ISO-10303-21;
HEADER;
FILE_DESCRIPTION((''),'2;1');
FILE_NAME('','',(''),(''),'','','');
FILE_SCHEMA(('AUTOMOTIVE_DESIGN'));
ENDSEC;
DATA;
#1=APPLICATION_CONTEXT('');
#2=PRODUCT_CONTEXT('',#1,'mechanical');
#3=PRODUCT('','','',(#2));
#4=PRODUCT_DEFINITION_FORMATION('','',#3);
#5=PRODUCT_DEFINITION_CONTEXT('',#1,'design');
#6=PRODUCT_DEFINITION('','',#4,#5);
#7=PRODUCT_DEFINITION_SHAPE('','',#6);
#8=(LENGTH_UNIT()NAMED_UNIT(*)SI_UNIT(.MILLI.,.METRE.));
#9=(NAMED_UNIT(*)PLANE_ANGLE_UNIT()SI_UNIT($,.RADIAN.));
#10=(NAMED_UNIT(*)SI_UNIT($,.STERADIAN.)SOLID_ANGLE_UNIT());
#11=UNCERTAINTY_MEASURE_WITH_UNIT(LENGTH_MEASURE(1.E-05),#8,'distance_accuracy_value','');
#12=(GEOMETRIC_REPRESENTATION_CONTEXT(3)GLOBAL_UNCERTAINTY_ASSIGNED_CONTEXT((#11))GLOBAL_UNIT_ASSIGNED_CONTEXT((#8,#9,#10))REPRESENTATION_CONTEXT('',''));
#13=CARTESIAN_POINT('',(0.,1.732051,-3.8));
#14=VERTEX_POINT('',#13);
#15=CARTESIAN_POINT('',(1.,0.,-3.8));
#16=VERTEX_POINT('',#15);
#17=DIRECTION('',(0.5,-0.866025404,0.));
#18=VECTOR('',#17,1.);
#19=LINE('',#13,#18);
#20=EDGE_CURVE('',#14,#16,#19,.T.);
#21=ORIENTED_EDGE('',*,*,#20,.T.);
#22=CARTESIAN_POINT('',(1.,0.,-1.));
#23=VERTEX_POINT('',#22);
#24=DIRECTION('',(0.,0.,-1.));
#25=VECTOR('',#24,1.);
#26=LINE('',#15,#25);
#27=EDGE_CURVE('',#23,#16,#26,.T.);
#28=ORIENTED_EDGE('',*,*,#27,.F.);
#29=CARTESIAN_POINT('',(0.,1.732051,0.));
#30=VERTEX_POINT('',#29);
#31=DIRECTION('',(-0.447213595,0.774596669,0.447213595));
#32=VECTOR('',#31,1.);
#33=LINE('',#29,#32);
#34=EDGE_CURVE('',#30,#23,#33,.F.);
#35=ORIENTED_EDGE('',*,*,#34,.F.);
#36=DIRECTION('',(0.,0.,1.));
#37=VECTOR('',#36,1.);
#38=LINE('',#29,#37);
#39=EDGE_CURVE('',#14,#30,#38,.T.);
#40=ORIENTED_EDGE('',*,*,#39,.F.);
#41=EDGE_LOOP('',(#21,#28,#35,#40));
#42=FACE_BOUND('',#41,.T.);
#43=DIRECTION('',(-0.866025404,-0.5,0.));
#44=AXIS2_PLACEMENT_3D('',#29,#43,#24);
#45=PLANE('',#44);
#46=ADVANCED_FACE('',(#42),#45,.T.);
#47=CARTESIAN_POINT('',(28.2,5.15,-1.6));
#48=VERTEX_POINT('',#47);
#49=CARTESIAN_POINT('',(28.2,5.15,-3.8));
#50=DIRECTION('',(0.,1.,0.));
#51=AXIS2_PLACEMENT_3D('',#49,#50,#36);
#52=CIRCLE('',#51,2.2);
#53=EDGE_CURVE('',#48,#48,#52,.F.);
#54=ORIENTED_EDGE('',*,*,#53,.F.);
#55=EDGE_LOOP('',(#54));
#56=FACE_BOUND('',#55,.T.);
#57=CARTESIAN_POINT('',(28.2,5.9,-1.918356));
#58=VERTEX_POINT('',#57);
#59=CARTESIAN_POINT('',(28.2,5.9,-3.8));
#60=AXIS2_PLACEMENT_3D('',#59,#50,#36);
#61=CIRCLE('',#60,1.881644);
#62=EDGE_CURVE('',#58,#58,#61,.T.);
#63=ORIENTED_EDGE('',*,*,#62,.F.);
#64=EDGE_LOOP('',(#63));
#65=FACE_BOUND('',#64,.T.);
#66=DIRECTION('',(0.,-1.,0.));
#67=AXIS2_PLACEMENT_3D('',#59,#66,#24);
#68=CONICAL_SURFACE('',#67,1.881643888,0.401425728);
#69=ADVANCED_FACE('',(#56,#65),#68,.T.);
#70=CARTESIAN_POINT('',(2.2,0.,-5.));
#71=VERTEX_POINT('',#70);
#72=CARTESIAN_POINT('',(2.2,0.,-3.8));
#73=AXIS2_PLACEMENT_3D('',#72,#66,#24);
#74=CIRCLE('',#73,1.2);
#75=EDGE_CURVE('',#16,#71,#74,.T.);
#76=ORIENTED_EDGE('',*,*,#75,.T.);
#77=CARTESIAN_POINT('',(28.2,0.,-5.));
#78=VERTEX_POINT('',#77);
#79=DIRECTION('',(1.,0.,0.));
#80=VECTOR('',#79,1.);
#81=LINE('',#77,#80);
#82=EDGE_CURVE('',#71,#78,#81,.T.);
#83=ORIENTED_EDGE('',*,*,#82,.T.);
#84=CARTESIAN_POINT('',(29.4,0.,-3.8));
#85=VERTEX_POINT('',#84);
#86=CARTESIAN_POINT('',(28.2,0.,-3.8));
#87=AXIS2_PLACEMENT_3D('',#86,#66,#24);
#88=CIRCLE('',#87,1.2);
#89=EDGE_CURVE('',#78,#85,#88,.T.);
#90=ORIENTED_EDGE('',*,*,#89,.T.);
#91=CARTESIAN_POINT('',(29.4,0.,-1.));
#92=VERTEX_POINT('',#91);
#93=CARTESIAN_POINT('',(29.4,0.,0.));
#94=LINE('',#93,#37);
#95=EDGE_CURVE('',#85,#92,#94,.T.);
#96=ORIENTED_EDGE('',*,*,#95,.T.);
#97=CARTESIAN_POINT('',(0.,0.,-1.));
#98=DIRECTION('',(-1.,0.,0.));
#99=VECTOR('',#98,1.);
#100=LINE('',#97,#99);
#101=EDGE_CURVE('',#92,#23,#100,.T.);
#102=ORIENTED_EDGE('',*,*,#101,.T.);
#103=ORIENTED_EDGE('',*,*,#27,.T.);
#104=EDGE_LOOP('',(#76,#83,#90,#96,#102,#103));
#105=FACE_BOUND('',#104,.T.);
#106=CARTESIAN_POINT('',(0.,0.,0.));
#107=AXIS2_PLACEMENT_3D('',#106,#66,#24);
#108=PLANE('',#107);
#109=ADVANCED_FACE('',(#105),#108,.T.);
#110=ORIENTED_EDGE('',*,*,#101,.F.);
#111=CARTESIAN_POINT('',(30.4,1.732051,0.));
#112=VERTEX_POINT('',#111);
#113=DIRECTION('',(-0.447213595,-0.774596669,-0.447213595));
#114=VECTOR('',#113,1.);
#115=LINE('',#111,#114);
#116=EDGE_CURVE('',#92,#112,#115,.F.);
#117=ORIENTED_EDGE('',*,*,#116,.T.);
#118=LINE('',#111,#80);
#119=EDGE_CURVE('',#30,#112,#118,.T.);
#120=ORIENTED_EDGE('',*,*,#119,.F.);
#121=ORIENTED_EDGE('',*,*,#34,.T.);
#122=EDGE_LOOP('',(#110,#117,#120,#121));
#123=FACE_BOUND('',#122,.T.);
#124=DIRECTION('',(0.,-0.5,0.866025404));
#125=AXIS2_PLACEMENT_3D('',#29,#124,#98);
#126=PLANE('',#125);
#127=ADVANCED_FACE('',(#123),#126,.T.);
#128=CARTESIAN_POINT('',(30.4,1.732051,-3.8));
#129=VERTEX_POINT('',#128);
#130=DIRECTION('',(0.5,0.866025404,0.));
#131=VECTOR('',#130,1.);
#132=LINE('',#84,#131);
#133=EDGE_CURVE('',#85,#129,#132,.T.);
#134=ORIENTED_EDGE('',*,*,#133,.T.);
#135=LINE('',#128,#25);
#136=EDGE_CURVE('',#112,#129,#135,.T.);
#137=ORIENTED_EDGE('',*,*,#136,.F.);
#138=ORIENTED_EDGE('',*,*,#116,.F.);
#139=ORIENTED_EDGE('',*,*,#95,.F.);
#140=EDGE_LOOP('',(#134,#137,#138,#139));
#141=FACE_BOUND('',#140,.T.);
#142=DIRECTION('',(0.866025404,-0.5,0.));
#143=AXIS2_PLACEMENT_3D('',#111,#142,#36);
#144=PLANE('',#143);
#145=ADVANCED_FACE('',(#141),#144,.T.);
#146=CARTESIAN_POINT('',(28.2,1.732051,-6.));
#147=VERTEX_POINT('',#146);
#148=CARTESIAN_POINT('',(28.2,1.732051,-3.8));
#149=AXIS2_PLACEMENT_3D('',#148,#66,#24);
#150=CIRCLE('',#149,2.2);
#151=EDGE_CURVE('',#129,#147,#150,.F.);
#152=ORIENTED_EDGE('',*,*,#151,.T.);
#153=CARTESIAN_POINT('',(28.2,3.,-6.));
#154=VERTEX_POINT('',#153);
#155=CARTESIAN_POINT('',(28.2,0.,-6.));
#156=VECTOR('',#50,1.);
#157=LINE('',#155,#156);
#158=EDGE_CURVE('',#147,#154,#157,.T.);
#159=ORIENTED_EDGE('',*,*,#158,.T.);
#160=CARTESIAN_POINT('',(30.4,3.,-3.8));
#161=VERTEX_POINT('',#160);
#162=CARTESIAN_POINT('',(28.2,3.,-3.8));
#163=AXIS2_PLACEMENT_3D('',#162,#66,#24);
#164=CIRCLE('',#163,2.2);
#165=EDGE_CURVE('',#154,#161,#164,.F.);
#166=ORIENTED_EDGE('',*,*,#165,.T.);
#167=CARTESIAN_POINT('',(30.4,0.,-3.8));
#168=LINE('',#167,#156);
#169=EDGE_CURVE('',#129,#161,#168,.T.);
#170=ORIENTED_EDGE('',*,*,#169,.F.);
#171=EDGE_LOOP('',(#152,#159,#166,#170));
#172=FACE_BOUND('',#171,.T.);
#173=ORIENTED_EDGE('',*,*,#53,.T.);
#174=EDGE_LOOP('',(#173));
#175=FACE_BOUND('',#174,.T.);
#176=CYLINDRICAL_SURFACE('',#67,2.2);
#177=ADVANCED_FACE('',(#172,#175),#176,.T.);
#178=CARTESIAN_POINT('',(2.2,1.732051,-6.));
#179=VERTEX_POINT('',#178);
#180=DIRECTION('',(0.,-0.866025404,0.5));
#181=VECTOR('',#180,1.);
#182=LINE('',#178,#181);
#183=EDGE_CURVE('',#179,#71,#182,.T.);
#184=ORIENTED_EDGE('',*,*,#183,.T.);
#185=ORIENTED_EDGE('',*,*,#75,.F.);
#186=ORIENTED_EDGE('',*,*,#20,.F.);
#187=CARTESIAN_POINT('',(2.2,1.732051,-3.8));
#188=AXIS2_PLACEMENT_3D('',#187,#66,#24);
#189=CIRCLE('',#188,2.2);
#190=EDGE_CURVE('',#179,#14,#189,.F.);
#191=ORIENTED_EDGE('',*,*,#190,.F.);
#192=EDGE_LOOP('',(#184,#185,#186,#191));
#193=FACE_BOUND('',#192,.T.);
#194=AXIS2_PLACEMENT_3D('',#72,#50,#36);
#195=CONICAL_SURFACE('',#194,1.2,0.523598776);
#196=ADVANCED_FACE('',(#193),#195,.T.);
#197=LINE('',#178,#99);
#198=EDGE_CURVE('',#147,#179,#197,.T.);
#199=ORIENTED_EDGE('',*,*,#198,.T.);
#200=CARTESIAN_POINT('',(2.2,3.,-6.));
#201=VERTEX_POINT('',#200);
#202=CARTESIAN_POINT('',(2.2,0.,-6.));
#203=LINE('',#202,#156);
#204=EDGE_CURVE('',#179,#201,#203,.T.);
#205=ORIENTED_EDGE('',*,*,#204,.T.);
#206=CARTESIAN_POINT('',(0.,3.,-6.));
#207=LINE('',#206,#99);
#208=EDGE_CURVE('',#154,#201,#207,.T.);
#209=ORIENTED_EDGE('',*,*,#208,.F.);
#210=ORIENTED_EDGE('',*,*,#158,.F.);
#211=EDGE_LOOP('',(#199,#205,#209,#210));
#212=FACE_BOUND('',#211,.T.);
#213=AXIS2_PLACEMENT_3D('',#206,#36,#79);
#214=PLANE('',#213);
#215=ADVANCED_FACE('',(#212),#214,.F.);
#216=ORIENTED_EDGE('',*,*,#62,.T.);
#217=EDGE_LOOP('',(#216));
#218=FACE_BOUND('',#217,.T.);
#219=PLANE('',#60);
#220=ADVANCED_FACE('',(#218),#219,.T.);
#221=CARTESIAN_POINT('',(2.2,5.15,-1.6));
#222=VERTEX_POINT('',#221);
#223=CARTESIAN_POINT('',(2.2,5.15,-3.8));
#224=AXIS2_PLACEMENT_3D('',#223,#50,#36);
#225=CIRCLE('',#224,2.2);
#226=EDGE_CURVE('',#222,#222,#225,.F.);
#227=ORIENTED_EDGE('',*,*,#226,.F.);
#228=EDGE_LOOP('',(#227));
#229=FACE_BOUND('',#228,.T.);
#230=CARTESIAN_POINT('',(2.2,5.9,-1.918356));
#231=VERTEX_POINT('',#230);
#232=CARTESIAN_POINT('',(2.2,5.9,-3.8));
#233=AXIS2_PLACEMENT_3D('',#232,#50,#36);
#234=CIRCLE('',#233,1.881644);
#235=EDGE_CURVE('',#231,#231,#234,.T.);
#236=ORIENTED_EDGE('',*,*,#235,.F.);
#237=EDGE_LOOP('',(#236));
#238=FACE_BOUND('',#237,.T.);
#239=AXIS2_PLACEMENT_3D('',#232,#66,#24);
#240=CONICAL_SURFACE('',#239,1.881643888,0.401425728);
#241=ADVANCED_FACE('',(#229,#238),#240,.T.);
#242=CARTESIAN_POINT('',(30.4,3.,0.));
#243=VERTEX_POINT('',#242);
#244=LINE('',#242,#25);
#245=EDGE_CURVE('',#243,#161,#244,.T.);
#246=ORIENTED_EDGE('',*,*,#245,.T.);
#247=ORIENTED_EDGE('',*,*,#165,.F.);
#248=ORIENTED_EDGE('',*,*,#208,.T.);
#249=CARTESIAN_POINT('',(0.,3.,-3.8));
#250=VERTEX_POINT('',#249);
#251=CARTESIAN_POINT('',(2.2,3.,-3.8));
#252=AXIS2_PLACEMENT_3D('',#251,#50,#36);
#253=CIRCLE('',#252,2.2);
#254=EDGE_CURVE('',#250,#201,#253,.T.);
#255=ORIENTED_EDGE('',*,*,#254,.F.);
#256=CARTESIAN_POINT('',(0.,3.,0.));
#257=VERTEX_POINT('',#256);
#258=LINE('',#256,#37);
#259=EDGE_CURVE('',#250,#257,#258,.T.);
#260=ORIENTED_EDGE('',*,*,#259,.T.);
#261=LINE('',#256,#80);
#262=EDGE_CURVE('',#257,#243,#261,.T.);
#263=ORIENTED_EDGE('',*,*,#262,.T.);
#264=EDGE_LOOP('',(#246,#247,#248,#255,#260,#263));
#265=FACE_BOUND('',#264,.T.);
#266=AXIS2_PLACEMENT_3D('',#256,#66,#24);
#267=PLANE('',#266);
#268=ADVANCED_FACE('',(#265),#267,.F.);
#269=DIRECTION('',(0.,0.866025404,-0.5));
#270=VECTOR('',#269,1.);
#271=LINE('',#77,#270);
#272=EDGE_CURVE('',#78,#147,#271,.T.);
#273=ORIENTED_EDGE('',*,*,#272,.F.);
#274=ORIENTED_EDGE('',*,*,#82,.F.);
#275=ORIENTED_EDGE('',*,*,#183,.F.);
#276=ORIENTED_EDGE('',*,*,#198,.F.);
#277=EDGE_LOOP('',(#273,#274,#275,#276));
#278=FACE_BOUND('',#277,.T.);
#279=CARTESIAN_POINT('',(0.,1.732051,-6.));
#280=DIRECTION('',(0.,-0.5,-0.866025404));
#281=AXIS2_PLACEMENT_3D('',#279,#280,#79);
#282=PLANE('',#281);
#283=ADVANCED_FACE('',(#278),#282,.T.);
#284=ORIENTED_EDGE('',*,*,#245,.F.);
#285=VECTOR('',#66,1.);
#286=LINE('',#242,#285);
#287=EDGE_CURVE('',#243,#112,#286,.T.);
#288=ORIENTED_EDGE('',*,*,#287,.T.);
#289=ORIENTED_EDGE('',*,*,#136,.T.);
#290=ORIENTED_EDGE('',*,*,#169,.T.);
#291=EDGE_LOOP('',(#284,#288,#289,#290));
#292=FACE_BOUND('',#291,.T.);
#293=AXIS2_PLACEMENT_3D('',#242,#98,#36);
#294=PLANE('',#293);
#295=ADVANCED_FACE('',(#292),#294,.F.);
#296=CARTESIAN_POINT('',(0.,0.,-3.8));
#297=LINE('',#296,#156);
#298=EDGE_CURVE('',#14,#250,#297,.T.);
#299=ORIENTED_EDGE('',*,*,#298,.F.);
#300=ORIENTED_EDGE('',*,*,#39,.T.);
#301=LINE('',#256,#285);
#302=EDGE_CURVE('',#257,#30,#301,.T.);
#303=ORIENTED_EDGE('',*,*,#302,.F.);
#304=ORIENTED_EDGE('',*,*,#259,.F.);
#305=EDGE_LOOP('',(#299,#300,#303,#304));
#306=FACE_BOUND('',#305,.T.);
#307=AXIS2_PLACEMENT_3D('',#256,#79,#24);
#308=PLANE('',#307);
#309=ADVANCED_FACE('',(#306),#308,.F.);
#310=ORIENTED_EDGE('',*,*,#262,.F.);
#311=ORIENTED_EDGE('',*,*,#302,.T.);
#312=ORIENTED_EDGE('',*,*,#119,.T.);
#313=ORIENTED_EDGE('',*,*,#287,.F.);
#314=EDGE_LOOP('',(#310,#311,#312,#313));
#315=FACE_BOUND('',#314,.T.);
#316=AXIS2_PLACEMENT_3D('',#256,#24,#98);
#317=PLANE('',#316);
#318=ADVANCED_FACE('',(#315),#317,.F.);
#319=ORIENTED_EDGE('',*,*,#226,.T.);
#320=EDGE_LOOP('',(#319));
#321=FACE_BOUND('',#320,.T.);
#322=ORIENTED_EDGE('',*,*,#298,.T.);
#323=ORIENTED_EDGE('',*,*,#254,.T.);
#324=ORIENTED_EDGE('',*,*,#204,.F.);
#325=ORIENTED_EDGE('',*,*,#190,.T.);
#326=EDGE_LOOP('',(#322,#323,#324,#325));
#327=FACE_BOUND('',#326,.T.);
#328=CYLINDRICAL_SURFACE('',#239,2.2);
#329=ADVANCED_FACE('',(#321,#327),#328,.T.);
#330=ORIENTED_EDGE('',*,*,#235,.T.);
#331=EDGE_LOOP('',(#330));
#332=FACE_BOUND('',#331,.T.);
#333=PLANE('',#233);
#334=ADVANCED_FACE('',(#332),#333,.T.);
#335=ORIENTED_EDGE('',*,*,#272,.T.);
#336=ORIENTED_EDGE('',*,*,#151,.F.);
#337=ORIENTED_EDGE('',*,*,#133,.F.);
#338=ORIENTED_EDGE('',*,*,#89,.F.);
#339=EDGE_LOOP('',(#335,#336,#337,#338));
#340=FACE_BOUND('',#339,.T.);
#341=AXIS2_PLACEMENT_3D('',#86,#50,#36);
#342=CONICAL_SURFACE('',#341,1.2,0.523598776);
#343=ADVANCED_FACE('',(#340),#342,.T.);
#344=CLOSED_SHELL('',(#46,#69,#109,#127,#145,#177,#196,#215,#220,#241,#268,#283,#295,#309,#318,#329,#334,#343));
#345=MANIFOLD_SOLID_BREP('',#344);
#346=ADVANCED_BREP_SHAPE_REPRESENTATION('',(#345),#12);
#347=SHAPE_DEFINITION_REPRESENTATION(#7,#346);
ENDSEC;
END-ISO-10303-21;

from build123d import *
from OCP.BRepFilletAPI import BRepFilletAPI_MakeChamfer
from build123d.topology import SkipClean

# Parameters (mm, degrees)
SKETCH1_W           = 30.4
SKETCH1_H           = 6
BOSS_EXTRUDE1_DEPTH = 3
SKETCH2_R           = 2.2
BOSS_EXTRUDE2_DEPTH = 2.9
CHAMFER1_SIZE       = 0.75
CHAMFER1_SIZE2      = 0.318356112
CUT_EXTRUDE1_START  = -3
CUT_EXTRUDE1_DEPTH  = 3
CHAMFER2_SIZE       = 1
CHAMFER2_SIZE2      = 1.732050808


with BuildPart() as part:
    # Sketch1 → Boss-Extrude1 (new body)
    with BuildSketch(Plane(origin=(0, 0, 0), x_dir=(1, 0, 0), z_dir=(0, 1, 0))):
        with Locations((15.2, 3)):
            Rectangle(SKETCH1_W, SKETCH1_H)
    extrude(amount=BOSS_EXTRUDE1_DEPTH)

    # Sketch2 → Boss-Extrude2 (add)
    with BuildSketch(Plane(origin=(0, 3, 0), x_dir=(1, 0, 0), z_dir=(0, 1, 0))):
        with Locations(Location((2.2, 3.8, 0), (0, 0, 90))):
            Circle(SKETCH2_R)
        with Locations(Location((28.2, 3.8, 0), (0, 0, 90))):
            Circle(SKETCH2_R)
    extrude(amount=BOSS_EXTRUDE2_DEPTH)

    # Chamfer1: one chamfer whose edges measure the first distance from different faces: ONE call of the kernel's chamfer builder (chamfer() names one face for all edges)
    chamfer1_edges_1 = [part.edges().sort_by_distance(p)[0] for p in [
        (2.2, 5.9, -1.6),
    ]]
    chamfer1_side_1 = [part.faces().sort_by_distance(p)[0] for p in [
        (2.2, 4.45, -1.6),
    ]]
    chamfer1_edges_2 = [part.edges().sort_by_distance(p)[0] for p in [
        (28.2, 5.9, -1.6),
    ]]
    chamfer1_side_2 = [part.faces().sort_by_distance(p)[0] for p in [
        (28.2, 4.45, -1.6),
    ]]
    chamfer1 = BRepFilletAPI_MakeChamfer(part.part.solid().wrapped)
    for e in chamfer1_edges_1:
        chamfer1.Add(CHAMFER1_SIZE, CHAMFER1_SIZE2, e.wrapped, chamfer1_side_1[0].wrapped)  # the first distance lies on this face
    for e in chamfer1_edges_2:
        chamfer1.Add(CHAMFER1_SIZE, CHAMFER1_SIZE2, e.wrapped, chamfer1_side_2[0].wrapped)  # the first distance lies on this face
    add(Compound.cast(chamfer1.Shape()), mode=Mode.REPLACE)

    # Sketch3 → Cut-Extrude1 (cut)
    with SkipClean():  # the faces are left unmerged after this step: merging them gives an invalid solid
        with BuildSketch(Plane(origin=(0, 3, 0), x_dir=(1, 0, 0), z_dir=(0, 1, 0)).offset(CUT_EXTRUDE1_START)):
            with BuildLine():
                Line((30.4, 3.8), (30.4, 6))
                Line((30.4, 6), (28.2, 6))
                ThreePointArc((28.2, 6), (29.755634919, 5.355634919), (30.4, 3.8))
            make_face()
            with BuildLine():
                Line((2.2, 6), (0, 6))
                Line((0, 6), (0, 3.8))
                ThreePointArc((0, 3.8), (0.644365081, 5.355634919), (2.2, 6))
            make_face()
        extrude(amount=CUT_EXTRUDE1_DEPTH, mode=Mode.SUBTRACT)

    # Chamfer2
    chamfer2_edges = [part.edges().sort_by_distance(p)[0] for p in [
        (0, 0, -1.9),
        (15.2, 0, -6),
        (29.755634919, 0, -5.355634919),
        (0.644365081, 0, -5.355634919),
        (30.4, 0, -1.9),
        (15.2, 0, 0),
    ]]
    chamfer2_side = [part.faces().sort_by_distance(p)[0] for p in [
        (15.2, 0, -2.971100636),
    ]]
    chamfer(chamfer2_edges, length=CHAMFER2_SIZE, length2=CHAMFER2_SIZE2, reference=chamfer2_side[0])


solid = part.part
